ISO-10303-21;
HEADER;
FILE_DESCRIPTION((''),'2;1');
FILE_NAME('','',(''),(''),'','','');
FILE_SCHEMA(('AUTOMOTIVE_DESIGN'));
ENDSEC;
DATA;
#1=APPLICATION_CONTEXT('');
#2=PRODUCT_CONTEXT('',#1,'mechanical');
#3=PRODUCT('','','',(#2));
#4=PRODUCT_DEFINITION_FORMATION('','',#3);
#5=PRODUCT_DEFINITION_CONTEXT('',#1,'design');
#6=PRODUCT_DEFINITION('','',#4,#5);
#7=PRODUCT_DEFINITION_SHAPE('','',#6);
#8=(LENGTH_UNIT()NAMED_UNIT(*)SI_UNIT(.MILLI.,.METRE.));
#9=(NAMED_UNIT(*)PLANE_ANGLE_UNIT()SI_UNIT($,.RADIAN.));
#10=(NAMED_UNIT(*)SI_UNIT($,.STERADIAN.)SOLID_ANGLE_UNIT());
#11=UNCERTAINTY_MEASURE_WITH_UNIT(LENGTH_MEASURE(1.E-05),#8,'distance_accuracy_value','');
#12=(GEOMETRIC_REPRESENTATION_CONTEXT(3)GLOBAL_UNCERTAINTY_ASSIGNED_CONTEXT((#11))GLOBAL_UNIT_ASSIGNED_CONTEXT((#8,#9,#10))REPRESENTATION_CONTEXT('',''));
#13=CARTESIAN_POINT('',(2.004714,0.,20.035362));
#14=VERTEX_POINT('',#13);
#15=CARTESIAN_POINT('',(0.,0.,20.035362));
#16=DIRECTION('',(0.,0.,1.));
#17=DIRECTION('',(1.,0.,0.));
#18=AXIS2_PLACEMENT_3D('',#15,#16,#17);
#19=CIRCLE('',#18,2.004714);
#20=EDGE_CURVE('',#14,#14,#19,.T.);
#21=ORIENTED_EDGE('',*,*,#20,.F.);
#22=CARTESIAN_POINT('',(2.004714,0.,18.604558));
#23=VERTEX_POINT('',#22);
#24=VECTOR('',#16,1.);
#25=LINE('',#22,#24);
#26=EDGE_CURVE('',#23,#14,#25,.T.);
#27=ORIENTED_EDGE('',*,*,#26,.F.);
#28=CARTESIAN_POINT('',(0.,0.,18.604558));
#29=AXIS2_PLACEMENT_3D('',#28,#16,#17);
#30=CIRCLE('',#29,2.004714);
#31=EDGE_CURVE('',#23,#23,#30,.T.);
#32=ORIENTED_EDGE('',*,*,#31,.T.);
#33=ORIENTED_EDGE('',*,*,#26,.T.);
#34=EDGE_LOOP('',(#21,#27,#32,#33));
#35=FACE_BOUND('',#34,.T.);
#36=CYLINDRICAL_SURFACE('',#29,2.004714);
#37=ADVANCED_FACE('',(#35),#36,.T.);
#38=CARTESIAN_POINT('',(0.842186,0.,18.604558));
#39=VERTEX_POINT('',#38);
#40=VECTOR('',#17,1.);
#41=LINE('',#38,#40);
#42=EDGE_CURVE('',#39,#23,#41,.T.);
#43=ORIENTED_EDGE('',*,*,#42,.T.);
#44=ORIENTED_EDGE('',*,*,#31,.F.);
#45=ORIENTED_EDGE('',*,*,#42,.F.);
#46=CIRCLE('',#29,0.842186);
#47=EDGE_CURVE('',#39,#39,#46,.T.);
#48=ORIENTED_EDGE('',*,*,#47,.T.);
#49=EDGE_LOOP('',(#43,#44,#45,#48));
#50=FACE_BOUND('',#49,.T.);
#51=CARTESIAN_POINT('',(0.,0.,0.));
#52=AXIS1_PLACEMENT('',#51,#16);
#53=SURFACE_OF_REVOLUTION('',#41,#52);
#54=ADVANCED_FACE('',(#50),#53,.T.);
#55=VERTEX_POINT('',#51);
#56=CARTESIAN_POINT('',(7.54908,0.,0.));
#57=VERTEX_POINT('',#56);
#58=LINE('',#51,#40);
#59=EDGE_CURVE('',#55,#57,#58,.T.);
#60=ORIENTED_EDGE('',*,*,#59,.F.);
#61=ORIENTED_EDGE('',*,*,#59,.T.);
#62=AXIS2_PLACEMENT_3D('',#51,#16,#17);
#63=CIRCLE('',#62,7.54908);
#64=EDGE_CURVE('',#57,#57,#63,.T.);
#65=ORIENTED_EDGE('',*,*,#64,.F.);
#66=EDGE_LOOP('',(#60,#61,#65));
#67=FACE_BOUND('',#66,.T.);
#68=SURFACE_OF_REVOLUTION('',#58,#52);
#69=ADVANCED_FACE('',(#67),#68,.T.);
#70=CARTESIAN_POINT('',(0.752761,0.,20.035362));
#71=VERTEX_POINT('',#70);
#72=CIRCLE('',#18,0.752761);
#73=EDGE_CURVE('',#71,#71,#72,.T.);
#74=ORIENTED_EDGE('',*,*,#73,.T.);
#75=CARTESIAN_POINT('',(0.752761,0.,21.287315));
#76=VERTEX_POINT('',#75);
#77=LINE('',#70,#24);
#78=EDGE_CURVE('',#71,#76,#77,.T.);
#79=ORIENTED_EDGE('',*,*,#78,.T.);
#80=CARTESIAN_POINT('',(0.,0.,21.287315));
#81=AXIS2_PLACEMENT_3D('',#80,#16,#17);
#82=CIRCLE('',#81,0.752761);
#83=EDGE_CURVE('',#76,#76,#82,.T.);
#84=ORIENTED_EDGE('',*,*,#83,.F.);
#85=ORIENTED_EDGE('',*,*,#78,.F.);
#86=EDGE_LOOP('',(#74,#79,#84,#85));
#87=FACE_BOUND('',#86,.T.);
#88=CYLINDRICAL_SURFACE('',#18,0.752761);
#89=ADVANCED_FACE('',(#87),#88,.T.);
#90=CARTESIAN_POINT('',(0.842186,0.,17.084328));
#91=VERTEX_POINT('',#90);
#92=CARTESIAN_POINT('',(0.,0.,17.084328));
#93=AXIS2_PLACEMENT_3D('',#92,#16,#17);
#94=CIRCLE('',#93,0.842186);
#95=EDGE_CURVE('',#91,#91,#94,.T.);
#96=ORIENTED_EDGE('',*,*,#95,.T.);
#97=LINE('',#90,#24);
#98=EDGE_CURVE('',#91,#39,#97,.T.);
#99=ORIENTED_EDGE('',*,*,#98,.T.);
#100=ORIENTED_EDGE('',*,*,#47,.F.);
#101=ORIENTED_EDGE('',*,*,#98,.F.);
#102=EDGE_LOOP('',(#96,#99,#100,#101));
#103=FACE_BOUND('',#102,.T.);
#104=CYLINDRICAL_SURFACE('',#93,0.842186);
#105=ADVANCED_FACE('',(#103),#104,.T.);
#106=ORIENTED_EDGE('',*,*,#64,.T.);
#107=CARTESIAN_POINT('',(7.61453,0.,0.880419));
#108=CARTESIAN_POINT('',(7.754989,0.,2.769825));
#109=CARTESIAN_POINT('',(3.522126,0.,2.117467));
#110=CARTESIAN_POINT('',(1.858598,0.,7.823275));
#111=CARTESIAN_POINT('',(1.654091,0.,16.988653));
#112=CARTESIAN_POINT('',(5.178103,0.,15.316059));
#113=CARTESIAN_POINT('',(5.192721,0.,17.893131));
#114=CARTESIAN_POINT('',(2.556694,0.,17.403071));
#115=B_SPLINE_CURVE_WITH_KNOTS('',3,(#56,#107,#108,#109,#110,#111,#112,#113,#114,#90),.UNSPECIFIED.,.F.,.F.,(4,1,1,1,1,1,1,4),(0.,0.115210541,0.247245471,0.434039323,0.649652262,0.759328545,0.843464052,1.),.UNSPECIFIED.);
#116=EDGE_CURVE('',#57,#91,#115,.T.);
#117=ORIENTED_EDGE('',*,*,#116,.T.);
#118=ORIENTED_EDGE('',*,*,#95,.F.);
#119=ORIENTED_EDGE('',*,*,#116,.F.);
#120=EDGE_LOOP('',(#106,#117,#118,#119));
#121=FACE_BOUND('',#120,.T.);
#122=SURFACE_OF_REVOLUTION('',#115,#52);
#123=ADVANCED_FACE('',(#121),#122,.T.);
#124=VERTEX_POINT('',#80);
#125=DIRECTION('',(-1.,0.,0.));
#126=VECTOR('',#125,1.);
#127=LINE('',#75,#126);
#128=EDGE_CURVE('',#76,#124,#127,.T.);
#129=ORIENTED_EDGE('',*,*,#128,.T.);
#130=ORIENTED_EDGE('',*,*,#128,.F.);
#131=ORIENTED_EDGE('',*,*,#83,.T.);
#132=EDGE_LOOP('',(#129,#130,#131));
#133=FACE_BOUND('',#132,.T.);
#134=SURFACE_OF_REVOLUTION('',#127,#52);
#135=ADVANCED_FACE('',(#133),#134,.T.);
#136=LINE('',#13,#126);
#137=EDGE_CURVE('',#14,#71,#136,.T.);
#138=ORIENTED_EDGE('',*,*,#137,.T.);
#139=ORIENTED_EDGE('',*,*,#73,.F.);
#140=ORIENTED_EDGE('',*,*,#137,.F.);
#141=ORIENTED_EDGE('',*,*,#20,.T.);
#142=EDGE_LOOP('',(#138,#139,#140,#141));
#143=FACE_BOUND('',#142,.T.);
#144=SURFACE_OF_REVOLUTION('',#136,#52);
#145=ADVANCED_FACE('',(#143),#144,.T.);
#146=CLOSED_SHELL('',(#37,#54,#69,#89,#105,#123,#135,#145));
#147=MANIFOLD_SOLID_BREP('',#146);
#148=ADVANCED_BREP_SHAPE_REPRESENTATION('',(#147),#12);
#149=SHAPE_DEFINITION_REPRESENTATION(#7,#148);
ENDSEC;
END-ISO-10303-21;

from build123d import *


with BuildPart() as f2:
    # F2: sweep along a path in F0
    with BuildLine(Plane.XY) as f2_path:
        CenterArc((0, 0), 7.7582357731, 0, 360)
    # F1 (on Right) → F2 (sweep)
    with BuildSketch(Plane.YZ):
        with BuildLine():
            Line((0, 0), (7.5490800664, 0))
            add(Edge.make_bspline(
                [(7.5490800664, 0), (7.6145304039, 0.8804186914), (7.7549889021, 2.7698251019), (3.5221259295, 2.1174667665), (1.8585979555, 7.8232747458), (1.6540914984, 16.9886530501), (5.1781027722, 15.3160589702), (5.1927211458, 17.8931313245), (2.5566937746, 17.4030705618), (0.8421861567, 17.0843284577)],
                knots=[0, 0, 0, 0, 0.1152105408, 0.2472454713, 0.4340393226, 0.6496522623, 0.759328545, 0.8434640522, 1, 1, 1, 1], degree=3))
            Line((0.8421861567, 17.0843284577), (0.8421861567, 18.6045579612))
            Line((0.8421861567, 18.6045579612), (2.004714217, 18.6045579612))
            Line((2.004714217, 18.6045579612), (2.004714217, 20.0353618711))
            Line((2.004714217, 20.0353618711), (0.7527609705, 20.0353618711))
            Line((0.7527609705, 20.0353618711), (0.7527609705, 21.2873145938))
            Line((0.7527609705, 21.2873145938), (0, 21.2873145938))
            Line((0, 21.2873145938), (0, 0))
        make_face()
    sweep(path=f2_path.line)


solid = f2.part
